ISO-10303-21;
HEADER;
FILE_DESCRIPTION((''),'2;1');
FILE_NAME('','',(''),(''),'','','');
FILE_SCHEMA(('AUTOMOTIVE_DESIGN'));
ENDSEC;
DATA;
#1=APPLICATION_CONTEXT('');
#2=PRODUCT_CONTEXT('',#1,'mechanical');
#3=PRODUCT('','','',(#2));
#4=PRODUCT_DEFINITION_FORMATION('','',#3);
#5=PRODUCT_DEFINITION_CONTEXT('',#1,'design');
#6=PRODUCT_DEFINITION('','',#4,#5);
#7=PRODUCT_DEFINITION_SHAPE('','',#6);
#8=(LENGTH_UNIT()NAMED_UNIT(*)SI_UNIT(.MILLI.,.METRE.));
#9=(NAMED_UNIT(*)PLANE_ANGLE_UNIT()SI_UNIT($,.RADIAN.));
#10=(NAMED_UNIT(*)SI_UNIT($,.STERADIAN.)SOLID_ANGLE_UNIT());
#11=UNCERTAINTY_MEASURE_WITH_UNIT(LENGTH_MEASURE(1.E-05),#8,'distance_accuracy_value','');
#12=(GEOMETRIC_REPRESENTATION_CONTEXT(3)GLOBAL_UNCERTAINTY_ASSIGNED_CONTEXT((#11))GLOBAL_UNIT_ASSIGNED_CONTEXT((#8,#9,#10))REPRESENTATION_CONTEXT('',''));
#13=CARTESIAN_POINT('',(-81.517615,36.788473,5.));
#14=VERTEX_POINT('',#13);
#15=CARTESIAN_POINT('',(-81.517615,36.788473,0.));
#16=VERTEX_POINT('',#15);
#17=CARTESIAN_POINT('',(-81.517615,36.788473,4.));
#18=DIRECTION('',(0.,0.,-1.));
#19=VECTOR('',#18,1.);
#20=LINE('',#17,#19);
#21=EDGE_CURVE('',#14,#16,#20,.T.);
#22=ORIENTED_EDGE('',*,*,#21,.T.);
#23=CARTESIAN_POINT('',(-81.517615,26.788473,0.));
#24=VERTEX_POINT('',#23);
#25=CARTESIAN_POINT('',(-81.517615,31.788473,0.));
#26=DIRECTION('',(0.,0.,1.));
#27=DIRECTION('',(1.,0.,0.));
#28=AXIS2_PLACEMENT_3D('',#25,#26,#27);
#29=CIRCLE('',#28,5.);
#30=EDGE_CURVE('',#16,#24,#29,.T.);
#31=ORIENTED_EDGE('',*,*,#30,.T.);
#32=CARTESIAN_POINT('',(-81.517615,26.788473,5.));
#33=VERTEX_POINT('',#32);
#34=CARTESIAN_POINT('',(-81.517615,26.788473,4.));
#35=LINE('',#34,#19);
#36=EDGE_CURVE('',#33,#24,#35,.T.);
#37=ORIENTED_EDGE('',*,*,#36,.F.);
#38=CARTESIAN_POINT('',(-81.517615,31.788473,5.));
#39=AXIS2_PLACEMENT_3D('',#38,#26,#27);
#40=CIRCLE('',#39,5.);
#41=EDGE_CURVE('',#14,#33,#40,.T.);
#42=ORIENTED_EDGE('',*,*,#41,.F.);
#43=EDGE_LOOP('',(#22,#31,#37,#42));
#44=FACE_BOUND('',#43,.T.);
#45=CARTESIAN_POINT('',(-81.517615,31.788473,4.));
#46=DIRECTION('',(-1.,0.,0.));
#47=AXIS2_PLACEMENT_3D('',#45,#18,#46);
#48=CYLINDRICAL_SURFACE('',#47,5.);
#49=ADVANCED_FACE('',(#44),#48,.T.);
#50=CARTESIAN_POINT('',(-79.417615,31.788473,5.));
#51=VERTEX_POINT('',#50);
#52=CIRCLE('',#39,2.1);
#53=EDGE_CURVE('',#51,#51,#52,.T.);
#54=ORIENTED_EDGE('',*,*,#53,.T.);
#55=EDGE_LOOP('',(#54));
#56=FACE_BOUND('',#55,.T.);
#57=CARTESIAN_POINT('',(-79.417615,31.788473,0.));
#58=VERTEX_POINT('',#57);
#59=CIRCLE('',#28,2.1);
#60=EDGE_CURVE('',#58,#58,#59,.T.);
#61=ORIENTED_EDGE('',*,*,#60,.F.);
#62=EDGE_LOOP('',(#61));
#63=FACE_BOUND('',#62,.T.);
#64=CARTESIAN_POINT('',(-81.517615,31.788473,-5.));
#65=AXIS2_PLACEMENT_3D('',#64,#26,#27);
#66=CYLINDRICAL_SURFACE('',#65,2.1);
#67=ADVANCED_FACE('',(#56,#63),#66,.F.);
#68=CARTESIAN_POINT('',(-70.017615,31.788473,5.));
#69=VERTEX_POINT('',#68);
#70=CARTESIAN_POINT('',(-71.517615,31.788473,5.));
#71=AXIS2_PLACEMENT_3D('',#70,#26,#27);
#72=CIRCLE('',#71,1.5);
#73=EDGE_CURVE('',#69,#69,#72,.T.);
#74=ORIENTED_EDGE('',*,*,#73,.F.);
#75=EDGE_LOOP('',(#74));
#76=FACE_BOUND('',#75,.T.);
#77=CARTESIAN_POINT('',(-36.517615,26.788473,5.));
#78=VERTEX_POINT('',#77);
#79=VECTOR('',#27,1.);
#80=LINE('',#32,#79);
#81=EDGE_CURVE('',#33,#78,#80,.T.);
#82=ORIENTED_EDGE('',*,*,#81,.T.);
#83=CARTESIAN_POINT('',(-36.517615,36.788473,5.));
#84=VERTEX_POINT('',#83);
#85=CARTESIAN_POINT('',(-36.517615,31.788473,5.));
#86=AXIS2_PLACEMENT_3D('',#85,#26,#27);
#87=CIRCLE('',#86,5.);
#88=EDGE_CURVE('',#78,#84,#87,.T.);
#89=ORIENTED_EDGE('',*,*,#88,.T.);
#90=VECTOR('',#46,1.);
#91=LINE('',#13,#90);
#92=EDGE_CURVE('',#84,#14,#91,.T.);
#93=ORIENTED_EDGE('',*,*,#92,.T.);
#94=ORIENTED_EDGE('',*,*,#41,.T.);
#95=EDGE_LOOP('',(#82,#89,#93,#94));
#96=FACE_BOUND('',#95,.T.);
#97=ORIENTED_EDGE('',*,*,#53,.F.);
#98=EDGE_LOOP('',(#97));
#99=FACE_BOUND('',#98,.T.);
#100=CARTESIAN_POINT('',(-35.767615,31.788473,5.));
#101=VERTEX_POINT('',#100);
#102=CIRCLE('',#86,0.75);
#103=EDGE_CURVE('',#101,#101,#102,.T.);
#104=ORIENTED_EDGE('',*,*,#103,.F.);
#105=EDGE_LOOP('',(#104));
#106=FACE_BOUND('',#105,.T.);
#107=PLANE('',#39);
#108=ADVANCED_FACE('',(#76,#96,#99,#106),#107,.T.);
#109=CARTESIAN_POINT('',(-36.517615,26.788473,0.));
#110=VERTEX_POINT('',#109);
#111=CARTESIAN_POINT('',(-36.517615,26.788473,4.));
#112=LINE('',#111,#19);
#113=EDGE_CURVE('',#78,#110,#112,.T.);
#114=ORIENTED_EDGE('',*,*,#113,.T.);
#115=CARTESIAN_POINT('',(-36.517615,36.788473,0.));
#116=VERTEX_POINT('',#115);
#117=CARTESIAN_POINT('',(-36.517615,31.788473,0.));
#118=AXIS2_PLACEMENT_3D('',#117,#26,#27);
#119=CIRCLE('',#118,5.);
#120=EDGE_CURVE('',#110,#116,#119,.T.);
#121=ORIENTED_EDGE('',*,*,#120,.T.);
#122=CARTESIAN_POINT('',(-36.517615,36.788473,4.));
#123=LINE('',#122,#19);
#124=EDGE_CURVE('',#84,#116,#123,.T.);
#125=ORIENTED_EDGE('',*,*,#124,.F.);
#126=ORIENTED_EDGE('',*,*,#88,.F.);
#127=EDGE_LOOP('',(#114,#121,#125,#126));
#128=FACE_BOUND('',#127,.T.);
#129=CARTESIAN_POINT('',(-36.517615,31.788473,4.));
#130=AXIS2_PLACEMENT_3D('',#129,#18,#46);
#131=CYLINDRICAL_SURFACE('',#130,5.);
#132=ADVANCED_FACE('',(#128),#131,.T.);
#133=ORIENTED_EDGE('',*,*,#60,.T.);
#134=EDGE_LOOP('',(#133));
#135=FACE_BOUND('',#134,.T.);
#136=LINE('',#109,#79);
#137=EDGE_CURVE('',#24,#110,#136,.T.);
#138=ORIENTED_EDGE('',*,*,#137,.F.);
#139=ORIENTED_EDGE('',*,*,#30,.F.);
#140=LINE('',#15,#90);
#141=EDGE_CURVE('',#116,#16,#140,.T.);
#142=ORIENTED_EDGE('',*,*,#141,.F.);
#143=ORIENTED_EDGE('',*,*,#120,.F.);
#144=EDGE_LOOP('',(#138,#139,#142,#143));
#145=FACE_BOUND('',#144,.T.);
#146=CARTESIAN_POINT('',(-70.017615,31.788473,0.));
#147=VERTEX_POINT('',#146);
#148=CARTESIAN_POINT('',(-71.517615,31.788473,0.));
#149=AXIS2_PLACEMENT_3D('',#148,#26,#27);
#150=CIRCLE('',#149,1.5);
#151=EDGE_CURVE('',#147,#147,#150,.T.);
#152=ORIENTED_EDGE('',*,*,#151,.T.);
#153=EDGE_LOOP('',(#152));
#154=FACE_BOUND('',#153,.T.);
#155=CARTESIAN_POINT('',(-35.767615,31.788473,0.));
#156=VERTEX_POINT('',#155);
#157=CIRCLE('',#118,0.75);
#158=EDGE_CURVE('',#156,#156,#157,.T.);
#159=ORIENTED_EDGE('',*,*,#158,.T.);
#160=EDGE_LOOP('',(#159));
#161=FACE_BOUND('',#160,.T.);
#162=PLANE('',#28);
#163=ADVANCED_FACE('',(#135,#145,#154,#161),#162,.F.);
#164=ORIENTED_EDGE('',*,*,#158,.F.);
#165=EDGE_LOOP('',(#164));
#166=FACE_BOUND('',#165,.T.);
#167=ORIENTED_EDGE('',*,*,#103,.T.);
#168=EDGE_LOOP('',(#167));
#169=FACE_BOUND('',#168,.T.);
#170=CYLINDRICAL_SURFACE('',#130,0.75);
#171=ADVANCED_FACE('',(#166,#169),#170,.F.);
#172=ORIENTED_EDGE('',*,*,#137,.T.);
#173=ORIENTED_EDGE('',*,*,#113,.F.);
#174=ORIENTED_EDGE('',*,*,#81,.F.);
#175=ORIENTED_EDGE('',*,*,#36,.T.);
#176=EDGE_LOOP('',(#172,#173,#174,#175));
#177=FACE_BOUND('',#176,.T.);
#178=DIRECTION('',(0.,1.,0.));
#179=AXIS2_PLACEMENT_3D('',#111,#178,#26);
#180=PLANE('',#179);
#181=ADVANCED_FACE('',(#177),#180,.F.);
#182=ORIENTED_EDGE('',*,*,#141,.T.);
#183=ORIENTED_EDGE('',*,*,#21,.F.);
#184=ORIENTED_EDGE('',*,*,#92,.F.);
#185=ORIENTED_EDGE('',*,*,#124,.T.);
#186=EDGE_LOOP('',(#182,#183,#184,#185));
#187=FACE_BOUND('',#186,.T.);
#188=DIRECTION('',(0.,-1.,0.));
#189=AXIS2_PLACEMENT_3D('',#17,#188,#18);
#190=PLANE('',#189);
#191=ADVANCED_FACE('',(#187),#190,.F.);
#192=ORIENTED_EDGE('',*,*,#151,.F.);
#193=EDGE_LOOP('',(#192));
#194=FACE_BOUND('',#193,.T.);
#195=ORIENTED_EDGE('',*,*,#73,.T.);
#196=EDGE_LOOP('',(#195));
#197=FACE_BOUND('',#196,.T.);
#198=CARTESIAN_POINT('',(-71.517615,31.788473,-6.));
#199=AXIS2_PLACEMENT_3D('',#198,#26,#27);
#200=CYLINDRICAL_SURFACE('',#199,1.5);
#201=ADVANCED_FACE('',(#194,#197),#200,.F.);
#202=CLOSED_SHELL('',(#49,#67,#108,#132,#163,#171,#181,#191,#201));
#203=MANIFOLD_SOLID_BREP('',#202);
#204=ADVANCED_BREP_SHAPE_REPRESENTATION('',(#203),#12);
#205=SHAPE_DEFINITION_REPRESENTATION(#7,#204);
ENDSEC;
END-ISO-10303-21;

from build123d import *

# Parameters (mm, degrees)
SKETCH1_R           = 1.5
SKETCH1_R_2         = 0.75
BOSS_EXTRUDE1_DEPTH = 4
SKETCH2_R           = 1.25
CUT_EXTRUDE1_DEPTH  = 4
SKETCH3_R           = 1.5
CUT_EXTRUDE2_DEPTH  = 10
SKETCH4_R           = 1.5
SKETCH4_R_2         = 0.75
BOSS_EXTRUDE2_DEPTH = 1
SKETCH5_R           = 2.1
CUT_EXTRUDE3_DEPTH  = 10


with BuildPart() as part:
    # Sketch1 → Boss-Extrude1 (new body)
    with BuildSketch(Plane.XY):
        with BuildLine():
            Line((-81.517614561, 36.788472858), (-36.517614561, 36.788472858))
            ThreePointArc((-36.517614561, 36.788472858), (-31.517614561, 31.788472858), (-36.517614561, 26.788472858))
            Line((-36.517614561, 26.788472858), (-81.517614561, 26.788472858))
            ThreePointArc((-81.517614561, 26.788472858), (-86.517614561, 31.788472858), (-81.517614561, 36.788472858))
        make_face()
        with Locations((-81.517614561, 31.788472858)):
            Circle(SKETCH1_R, mode=Mode.SUBTRACT)
        with Locations((-36.517614561, 31.788472858)):
            Circle(SKETCH1_R_2, mode=Mode.SUBTRACT)
    extrude(amount=BOSS_EXTRUDE1_DEPTH)

    # Sketch2 → Cut-Extrude1 (cut)
    with BuildSketch(Plane.XY.offset(4)):
        with Locations((-71.517614561, 31.788472858)):
            Circle(SKETCH2_R)
    extrude(amount=-CUT_EXTRUDE1_DEPTH, mode=Mode.SUBTRACT)

    # Sketch3 → Cut-Extrude2 (cut)
    with BuildSketch(Plane.XY.offset(4)):
        with Locations((-71.517614561, 31.788472858)):
            Circle(SKETCH3_R)
    extrude(amount=-CUT_EXTRUDE2_DEPTH, mode=Mode.SUBTRACT)

    # Sketch4 → Boss-Extrude2 (add)
    with BuildSketch(Plane.XY.offset(4)):
        with BuildLine():
            Line((-81.517614561, 36.788472858), (-36.517614561, 36.788472858))
            ThreePointArc((-36.517614561, 36.788472858), (-31.517614561, 31.788472858), (-36.517614561, 26.788472858))
            Line((-36.517614561, 26.788472858), (-81.517614561, 26.788472858))
            ThreePointArc((-81.517614561, 26.788472858), (-86.517614561, 31.788472858), (-81.517614561, 36.788472858))
        make_face()
        with Locations((-81.517614561, 31.788472858)):
            Circle(SKETCH4_R, mode=Mode.SUBTRACT)
        with Locations((-71.517614561, 31.788472858)):
            Circle(SKETCH4_R, mode=Mode.SUBTRACT)
        with Locations((-36.517614561, 31.788472858)):
            Circle(SKETCH4_R_2, mode=Mode.SUBTRACT)
    extrude(amount=BOSS_EXTRUDE2_DEPTH)

    # Sketch5 → Cut-Extrude3 (cut)
    with BuildSketch(Plane.XY.offset(5)):
        with Locations((-81.517614561, 31.788472858)):
            Circle(SKETCH5_R)
    extrude(amount=-CUT_EXTRUDE3_DEPTH, mode=Mode.SUBTRACT)


solid = part.part
